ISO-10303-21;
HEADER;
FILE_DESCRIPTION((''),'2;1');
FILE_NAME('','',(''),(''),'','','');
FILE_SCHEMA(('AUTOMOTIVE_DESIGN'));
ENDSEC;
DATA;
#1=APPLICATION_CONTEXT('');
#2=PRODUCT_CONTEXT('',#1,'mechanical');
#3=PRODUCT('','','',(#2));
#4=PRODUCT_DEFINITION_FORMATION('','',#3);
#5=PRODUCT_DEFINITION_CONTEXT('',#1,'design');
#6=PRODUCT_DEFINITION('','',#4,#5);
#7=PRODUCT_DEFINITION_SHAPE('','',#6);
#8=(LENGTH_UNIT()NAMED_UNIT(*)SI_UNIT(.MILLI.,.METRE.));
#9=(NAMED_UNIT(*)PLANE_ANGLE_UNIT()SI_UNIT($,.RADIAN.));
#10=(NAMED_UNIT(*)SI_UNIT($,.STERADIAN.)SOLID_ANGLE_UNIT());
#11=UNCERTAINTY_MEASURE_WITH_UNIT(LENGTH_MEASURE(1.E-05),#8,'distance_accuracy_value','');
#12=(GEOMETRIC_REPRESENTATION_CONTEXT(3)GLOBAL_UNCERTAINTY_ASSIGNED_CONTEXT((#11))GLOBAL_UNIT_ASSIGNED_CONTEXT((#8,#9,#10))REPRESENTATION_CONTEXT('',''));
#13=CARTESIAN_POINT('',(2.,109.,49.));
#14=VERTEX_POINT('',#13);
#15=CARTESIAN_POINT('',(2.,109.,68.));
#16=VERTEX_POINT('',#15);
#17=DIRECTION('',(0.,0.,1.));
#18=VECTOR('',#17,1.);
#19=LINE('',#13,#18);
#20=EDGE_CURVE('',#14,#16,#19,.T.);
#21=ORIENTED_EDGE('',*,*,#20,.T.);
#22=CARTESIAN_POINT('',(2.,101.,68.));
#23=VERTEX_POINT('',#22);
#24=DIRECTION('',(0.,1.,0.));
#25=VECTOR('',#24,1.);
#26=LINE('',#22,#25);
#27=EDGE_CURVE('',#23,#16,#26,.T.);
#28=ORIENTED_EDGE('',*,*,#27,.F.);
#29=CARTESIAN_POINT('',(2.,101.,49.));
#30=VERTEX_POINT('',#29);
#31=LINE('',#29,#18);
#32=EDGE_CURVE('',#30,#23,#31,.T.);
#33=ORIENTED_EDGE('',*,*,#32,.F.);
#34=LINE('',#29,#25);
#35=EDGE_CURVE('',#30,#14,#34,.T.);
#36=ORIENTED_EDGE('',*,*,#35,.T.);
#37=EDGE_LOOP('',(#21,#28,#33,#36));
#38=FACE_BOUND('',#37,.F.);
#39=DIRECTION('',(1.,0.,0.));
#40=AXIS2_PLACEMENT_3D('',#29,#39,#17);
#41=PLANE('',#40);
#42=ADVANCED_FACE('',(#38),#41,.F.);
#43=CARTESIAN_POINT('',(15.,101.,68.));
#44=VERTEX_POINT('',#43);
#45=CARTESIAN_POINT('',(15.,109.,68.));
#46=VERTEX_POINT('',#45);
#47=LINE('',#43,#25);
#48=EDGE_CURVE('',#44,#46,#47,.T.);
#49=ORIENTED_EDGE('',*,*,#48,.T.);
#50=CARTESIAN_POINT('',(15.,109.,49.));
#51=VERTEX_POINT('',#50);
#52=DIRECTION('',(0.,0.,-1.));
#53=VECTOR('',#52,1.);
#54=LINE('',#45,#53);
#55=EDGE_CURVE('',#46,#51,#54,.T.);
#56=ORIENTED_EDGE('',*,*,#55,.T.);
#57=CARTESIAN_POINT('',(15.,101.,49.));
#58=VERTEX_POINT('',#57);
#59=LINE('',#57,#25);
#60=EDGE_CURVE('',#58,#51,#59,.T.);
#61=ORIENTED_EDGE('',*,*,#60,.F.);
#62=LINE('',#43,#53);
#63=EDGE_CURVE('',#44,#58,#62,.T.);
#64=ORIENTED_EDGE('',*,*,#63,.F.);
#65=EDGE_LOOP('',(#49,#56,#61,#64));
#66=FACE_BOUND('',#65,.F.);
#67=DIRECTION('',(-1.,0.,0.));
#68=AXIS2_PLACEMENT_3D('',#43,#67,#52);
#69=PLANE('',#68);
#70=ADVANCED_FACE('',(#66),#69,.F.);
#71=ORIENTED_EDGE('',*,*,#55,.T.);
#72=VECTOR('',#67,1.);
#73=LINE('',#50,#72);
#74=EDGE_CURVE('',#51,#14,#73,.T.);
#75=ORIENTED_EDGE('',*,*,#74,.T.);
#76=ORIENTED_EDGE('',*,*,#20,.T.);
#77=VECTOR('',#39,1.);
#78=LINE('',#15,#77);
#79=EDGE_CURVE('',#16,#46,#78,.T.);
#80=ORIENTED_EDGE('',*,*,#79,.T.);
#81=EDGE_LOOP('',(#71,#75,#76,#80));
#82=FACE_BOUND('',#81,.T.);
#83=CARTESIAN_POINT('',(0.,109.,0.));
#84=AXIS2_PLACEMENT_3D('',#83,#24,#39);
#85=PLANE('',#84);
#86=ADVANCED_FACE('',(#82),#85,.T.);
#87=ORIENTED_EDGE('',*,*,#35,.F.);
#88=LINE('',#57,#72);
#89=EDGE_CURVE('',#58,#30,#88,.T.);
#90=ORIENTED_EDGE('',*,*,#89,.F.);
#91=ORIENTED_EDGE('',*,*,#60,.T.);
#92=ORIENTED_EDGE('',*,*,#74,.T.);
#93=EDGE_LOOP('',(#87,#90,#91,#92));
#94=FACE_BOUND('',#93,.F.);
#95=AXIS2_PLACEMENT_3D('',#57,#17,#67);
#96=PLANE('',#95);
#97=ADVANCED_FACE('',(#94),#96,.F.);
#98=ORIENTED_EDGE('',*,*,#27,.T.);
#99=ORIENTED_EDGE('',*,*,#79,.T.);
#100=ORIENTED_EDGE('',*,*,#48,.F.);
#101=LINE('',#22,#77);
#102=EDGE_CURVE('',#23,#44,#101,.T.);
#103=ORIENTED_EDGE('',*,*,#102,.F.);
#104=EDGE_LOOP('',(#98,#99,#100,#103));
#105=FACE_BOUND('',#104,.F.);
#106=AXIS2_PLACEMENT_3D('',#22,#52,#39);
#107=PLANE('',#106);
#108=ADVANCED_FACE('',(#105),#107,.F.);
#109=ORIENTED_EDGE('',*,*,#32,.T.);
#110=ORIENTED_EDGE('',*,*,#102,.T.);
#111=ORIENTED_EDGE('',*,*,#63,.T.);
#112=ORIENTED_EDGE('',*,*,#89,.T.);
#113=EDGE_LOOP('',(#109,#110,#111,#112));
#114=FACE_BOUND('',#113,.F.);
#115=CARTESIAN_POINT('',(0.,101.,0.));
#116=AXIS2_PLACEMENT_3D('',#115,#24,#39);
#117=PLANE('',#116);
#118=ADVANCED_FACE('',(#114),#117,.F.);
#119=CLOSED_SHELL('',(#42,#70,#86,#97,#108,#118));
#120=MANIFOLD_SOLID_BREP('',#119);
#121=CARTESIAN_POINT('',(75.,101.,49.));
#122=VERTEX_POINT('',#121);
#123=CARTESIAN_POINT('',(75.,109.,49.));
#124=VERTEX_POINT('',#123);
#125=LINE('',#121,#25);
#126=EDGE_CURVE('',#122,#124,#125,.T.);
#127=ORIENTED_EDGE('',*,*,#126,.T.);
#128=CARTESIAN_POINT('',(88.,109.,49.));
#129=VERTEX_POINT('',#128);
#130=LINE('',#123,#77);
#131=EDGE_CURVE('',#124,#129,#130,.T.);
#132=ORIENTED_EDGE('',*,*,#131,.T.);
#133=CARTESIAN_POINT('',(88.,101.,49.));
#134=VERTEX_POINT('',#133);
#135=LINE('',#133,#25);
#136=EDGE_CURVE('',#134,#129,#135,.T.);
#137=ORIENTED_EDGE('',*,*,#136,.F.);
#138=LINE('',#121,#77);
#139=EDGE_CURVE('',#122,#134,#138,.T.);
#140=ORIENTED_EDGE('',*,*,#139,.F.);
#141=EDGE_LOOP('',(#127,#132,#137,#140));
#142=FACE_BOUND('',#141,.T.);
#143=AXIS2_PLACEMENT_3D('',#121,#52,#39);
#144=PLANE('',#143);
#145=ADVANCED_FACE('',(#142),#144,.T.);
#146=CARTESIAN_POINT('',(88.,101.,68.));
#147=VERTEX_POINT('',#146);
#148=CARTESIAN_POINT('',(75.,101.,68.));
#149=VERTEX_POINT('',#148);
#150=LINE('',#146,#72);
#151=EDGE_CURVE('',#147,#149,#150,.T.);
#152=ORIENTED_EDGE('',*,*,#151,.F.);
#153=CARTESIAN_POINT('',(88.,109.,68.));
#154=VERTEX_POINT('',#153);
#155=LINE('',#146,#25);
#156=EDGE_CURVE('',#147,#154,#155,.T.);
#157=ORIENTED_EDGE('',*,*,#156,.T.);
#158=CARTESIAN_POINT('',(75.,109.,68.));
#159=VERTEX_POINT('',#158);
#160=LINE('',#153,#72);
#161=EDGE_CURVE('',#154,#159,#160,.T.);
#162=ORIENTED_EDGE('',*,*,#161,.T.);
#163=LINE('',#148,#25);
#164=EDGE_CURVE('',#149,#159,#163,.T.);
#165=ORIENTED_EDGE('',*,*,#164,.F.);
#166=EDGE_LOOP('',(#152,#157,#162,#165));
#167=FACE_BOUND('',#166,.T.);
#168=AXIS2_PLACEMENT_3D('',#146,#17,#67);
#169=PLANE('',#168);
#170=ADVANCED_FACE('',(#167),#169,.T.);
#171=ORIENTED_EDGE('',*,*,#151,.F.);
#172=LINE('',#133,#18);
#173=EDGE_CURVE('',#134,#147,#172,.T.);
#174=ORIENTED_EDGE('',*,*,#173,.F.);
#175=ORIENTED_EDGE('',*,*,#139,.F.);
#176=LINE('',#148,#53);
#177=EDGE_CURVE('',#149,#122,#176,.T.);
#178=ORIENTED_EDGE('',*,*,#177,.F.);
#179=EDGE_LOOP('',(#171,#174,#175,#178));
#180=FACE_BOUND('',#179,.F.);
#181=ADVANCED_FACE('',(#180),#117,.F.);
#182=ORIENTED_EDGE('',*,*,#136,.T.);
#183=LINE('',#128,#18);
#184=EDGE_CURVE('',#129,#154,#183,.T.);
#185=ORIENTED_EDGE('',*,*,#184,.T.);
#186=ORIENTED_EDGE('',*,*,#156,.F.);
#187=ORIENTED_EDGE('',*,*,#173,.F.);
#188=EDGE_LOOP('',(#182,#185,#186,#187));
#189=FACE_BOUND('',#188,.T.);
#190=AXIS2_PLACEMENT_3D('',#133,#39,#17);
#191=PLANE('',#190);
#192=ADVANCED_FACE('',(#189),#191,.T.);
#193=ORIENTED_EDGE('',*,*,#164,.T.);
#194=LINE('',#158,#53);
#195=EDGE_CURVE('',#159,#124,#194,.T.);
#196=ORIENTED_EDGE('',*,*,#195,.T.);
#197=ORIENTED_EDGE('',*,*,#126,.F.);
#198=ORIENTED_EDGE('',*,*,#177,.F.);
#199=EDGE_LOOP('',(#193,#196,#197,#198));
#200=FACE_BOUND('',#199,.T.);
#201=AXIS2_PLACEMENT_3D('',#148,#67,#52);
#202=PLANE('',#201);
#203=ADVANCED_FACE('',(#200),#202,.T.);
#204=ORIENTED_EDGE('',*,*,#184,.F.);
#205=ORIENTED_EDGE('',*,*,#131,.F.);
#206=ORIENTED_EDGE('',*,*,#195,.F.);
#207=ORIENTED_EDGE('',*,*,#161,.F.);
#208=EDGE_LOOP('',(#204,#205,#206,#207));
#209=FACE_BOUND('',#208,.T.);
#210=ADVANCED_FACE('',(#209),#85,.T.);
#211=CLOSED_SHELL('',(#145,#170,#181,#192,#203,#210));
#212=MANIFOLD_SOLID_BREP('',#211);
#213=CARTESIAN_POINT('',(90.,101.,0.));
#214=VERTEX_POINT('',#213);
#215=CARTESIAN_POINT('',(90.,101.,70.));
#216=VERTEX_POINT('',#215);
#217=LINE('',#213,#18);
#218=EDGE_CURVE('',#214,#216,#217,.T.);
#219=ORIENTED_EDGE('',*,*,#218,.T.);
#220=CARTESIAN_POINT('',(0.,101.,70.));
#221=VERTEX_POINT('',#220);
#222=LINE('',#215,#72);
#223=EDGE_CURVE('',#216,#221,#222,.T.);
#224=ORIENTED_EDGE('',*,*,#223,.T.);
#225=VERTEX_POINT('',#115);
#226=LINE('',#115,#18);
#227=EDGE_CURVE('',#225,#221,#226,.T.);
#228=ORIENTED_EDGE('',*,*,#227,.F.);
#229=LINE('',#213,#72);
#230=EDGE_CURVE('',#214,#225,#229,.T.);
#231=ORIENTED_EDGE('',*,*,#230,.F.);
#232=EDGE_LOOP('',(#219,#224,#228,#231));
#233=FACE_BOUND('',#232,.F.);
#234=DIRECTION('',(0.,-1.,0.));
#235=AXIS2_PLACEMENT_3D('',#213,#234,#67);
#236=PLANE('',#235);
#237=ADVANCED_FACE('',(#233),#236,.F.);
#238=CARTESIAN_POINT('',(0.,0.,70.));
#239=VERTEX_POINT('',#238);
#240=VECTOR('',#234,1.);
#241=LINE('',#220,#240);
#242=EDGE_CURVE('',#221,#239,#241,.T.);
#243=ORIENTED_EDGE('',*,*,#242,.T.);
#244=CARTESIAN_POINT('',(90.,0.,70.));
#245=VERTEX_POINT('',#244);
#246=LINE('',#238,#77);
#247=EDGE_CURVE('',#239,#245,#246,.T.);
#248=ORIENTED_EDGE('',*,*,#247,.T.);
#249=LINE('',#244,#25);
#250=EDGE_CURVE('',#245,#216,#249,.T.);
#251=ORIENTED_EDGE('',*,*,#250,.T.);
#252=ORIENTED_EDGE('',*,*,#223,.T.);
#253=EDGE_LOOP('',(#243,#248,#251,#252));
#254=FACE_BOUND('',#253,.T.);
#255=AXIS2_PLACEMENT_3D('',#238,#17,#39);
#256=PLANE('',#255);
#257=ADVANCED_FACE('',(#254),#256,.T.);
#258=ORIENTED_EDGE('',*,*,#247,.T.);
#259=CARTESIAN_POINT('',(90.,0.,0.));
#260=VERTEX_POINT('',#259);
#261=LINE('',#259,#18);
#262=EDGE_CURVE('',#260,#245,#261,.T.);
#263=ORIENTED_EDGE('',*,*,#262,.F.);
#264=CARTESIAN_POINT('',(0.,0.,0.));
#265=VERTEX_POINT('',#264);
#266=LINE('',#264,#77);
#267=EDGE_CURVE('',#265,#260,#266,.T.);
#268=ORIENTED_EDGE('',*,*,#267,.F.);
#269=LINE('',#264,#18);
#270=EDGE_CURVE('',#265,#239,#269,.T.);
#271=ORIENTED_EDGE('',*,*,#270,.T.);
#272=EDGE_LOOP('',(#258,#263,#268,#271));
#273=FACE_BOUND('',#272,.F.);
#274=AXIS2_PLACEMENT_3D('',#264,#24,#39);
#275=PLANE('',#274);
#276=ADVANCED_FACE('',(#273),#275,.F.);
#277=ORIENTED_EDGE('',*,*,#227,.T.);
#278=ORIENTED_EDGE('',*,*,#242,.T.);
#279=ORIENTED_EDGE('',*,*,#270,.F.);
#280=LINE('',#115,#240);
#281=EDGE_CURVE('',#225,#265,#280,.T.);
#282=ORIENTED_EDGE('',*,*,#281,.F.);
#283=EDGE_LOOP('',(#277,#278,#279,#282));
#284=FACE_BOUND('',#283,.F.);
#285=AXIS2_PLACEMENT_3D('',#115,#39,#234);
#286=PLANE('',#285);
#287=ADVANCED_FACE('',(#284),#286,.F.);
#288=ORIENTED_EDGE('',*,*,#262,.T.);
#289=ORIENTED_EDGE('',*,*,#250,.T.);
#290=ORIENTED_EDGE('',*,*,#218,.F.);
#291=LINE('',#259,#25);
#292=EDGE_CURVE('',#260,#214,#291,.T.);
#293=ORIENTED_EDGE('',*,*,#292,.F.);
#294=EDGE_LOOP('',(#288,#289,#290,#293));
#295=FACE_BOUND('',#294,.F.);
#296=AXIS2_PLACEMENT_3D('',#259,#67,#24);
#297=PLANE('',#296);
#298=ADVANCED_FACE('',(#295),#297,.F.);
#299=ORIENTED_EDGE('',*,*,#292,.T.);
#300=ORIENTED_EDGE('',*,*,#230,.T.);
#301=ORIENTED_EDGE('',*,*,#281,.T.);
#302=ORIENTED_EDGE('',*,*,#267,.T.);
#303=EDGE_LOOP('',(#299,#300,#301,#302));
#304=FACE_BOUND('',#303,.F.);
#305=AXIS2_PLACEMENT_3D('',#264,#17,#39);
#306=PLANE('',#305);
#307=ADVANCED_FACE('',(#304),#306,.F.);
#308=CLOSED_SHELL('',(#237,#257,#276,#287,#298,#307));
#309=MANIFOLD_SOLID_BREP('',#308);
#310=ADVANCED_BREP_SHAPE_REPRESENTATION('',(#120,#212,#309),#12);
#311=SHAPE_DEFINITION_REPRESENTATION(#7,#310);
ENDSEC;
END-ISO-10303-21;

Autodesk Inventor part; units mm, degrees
ref_plane "YZ Plane" through (0, 0, 0) normal (1, 0, 0) x (0, 1, 0)
ref_plane "XZ Plane" through (0, 0, 0) normal (0, 1, 0) x (-1, 0, 0)
ref_plane "XY Plane" through (0, 0, 0) normal (0, 0, 1) x (1, 0, 0)
sketch "Sketch1" plane through (0, 0, 0) normal (0, 0, 1) x (1, 0, 0)
  line L0 (0, 0) -> (90, 0)
  line L1 (90, 0) -> (90, 101)
  line L2 (90, 101) -> (0, 101)
  line L3 (0, 101) -> (0, 0)
  dimension "d0" = 101
  dimension "d1" = 90
extrude "Extrusion1" add sketch "Sketch1" along normal blind 70
sketch "Sketch2" plane through (0, 101, 0) normal (0, 1, 0) x (1, 0, 0)
  line L0 (2, -68) -> (15, -68)
  line L1 (15, -68) -> (15, -49)
  line L2 (15, -49) -> (2, -49)
  line L3 (2, -49) -> (2, -68)
  line L4 (0, -70) -> (90, -70) projected
  line L5 (0, 0) -> (0, -70) projected
  dimension "d6" = 2
  dimension "d7" = 19
  dimension "d8" = 13
  dimension "d9" = 2
extrude "Extrusion2" add sketch "Sketch2" along normal blind 8 separate body
sketch "Sketch3" plane through (0, 101, 0) normal (0, 1, 0) x (1, 0, 0)
  line L0 (0, -70) -> (90, -70) projected
  line L1 (90, 0) -> (90, -70) projected
  line L2 (88, -68) -> (75, -68)
  line L3 (75, -68) -> (75, -49)
  line L4 (75, -49) -> (88, -49)
  line L5 (88, -49) -> (88, -68)
  dimension "d10" = 19
  dimension "d11" = 13
  dimension "d12" = 2
  dimension "d13" = 2
extrude "Extrusion3" add sketch "Sketch3" along normal blind 8 separate body
properties part number "TB1272-Battery"
